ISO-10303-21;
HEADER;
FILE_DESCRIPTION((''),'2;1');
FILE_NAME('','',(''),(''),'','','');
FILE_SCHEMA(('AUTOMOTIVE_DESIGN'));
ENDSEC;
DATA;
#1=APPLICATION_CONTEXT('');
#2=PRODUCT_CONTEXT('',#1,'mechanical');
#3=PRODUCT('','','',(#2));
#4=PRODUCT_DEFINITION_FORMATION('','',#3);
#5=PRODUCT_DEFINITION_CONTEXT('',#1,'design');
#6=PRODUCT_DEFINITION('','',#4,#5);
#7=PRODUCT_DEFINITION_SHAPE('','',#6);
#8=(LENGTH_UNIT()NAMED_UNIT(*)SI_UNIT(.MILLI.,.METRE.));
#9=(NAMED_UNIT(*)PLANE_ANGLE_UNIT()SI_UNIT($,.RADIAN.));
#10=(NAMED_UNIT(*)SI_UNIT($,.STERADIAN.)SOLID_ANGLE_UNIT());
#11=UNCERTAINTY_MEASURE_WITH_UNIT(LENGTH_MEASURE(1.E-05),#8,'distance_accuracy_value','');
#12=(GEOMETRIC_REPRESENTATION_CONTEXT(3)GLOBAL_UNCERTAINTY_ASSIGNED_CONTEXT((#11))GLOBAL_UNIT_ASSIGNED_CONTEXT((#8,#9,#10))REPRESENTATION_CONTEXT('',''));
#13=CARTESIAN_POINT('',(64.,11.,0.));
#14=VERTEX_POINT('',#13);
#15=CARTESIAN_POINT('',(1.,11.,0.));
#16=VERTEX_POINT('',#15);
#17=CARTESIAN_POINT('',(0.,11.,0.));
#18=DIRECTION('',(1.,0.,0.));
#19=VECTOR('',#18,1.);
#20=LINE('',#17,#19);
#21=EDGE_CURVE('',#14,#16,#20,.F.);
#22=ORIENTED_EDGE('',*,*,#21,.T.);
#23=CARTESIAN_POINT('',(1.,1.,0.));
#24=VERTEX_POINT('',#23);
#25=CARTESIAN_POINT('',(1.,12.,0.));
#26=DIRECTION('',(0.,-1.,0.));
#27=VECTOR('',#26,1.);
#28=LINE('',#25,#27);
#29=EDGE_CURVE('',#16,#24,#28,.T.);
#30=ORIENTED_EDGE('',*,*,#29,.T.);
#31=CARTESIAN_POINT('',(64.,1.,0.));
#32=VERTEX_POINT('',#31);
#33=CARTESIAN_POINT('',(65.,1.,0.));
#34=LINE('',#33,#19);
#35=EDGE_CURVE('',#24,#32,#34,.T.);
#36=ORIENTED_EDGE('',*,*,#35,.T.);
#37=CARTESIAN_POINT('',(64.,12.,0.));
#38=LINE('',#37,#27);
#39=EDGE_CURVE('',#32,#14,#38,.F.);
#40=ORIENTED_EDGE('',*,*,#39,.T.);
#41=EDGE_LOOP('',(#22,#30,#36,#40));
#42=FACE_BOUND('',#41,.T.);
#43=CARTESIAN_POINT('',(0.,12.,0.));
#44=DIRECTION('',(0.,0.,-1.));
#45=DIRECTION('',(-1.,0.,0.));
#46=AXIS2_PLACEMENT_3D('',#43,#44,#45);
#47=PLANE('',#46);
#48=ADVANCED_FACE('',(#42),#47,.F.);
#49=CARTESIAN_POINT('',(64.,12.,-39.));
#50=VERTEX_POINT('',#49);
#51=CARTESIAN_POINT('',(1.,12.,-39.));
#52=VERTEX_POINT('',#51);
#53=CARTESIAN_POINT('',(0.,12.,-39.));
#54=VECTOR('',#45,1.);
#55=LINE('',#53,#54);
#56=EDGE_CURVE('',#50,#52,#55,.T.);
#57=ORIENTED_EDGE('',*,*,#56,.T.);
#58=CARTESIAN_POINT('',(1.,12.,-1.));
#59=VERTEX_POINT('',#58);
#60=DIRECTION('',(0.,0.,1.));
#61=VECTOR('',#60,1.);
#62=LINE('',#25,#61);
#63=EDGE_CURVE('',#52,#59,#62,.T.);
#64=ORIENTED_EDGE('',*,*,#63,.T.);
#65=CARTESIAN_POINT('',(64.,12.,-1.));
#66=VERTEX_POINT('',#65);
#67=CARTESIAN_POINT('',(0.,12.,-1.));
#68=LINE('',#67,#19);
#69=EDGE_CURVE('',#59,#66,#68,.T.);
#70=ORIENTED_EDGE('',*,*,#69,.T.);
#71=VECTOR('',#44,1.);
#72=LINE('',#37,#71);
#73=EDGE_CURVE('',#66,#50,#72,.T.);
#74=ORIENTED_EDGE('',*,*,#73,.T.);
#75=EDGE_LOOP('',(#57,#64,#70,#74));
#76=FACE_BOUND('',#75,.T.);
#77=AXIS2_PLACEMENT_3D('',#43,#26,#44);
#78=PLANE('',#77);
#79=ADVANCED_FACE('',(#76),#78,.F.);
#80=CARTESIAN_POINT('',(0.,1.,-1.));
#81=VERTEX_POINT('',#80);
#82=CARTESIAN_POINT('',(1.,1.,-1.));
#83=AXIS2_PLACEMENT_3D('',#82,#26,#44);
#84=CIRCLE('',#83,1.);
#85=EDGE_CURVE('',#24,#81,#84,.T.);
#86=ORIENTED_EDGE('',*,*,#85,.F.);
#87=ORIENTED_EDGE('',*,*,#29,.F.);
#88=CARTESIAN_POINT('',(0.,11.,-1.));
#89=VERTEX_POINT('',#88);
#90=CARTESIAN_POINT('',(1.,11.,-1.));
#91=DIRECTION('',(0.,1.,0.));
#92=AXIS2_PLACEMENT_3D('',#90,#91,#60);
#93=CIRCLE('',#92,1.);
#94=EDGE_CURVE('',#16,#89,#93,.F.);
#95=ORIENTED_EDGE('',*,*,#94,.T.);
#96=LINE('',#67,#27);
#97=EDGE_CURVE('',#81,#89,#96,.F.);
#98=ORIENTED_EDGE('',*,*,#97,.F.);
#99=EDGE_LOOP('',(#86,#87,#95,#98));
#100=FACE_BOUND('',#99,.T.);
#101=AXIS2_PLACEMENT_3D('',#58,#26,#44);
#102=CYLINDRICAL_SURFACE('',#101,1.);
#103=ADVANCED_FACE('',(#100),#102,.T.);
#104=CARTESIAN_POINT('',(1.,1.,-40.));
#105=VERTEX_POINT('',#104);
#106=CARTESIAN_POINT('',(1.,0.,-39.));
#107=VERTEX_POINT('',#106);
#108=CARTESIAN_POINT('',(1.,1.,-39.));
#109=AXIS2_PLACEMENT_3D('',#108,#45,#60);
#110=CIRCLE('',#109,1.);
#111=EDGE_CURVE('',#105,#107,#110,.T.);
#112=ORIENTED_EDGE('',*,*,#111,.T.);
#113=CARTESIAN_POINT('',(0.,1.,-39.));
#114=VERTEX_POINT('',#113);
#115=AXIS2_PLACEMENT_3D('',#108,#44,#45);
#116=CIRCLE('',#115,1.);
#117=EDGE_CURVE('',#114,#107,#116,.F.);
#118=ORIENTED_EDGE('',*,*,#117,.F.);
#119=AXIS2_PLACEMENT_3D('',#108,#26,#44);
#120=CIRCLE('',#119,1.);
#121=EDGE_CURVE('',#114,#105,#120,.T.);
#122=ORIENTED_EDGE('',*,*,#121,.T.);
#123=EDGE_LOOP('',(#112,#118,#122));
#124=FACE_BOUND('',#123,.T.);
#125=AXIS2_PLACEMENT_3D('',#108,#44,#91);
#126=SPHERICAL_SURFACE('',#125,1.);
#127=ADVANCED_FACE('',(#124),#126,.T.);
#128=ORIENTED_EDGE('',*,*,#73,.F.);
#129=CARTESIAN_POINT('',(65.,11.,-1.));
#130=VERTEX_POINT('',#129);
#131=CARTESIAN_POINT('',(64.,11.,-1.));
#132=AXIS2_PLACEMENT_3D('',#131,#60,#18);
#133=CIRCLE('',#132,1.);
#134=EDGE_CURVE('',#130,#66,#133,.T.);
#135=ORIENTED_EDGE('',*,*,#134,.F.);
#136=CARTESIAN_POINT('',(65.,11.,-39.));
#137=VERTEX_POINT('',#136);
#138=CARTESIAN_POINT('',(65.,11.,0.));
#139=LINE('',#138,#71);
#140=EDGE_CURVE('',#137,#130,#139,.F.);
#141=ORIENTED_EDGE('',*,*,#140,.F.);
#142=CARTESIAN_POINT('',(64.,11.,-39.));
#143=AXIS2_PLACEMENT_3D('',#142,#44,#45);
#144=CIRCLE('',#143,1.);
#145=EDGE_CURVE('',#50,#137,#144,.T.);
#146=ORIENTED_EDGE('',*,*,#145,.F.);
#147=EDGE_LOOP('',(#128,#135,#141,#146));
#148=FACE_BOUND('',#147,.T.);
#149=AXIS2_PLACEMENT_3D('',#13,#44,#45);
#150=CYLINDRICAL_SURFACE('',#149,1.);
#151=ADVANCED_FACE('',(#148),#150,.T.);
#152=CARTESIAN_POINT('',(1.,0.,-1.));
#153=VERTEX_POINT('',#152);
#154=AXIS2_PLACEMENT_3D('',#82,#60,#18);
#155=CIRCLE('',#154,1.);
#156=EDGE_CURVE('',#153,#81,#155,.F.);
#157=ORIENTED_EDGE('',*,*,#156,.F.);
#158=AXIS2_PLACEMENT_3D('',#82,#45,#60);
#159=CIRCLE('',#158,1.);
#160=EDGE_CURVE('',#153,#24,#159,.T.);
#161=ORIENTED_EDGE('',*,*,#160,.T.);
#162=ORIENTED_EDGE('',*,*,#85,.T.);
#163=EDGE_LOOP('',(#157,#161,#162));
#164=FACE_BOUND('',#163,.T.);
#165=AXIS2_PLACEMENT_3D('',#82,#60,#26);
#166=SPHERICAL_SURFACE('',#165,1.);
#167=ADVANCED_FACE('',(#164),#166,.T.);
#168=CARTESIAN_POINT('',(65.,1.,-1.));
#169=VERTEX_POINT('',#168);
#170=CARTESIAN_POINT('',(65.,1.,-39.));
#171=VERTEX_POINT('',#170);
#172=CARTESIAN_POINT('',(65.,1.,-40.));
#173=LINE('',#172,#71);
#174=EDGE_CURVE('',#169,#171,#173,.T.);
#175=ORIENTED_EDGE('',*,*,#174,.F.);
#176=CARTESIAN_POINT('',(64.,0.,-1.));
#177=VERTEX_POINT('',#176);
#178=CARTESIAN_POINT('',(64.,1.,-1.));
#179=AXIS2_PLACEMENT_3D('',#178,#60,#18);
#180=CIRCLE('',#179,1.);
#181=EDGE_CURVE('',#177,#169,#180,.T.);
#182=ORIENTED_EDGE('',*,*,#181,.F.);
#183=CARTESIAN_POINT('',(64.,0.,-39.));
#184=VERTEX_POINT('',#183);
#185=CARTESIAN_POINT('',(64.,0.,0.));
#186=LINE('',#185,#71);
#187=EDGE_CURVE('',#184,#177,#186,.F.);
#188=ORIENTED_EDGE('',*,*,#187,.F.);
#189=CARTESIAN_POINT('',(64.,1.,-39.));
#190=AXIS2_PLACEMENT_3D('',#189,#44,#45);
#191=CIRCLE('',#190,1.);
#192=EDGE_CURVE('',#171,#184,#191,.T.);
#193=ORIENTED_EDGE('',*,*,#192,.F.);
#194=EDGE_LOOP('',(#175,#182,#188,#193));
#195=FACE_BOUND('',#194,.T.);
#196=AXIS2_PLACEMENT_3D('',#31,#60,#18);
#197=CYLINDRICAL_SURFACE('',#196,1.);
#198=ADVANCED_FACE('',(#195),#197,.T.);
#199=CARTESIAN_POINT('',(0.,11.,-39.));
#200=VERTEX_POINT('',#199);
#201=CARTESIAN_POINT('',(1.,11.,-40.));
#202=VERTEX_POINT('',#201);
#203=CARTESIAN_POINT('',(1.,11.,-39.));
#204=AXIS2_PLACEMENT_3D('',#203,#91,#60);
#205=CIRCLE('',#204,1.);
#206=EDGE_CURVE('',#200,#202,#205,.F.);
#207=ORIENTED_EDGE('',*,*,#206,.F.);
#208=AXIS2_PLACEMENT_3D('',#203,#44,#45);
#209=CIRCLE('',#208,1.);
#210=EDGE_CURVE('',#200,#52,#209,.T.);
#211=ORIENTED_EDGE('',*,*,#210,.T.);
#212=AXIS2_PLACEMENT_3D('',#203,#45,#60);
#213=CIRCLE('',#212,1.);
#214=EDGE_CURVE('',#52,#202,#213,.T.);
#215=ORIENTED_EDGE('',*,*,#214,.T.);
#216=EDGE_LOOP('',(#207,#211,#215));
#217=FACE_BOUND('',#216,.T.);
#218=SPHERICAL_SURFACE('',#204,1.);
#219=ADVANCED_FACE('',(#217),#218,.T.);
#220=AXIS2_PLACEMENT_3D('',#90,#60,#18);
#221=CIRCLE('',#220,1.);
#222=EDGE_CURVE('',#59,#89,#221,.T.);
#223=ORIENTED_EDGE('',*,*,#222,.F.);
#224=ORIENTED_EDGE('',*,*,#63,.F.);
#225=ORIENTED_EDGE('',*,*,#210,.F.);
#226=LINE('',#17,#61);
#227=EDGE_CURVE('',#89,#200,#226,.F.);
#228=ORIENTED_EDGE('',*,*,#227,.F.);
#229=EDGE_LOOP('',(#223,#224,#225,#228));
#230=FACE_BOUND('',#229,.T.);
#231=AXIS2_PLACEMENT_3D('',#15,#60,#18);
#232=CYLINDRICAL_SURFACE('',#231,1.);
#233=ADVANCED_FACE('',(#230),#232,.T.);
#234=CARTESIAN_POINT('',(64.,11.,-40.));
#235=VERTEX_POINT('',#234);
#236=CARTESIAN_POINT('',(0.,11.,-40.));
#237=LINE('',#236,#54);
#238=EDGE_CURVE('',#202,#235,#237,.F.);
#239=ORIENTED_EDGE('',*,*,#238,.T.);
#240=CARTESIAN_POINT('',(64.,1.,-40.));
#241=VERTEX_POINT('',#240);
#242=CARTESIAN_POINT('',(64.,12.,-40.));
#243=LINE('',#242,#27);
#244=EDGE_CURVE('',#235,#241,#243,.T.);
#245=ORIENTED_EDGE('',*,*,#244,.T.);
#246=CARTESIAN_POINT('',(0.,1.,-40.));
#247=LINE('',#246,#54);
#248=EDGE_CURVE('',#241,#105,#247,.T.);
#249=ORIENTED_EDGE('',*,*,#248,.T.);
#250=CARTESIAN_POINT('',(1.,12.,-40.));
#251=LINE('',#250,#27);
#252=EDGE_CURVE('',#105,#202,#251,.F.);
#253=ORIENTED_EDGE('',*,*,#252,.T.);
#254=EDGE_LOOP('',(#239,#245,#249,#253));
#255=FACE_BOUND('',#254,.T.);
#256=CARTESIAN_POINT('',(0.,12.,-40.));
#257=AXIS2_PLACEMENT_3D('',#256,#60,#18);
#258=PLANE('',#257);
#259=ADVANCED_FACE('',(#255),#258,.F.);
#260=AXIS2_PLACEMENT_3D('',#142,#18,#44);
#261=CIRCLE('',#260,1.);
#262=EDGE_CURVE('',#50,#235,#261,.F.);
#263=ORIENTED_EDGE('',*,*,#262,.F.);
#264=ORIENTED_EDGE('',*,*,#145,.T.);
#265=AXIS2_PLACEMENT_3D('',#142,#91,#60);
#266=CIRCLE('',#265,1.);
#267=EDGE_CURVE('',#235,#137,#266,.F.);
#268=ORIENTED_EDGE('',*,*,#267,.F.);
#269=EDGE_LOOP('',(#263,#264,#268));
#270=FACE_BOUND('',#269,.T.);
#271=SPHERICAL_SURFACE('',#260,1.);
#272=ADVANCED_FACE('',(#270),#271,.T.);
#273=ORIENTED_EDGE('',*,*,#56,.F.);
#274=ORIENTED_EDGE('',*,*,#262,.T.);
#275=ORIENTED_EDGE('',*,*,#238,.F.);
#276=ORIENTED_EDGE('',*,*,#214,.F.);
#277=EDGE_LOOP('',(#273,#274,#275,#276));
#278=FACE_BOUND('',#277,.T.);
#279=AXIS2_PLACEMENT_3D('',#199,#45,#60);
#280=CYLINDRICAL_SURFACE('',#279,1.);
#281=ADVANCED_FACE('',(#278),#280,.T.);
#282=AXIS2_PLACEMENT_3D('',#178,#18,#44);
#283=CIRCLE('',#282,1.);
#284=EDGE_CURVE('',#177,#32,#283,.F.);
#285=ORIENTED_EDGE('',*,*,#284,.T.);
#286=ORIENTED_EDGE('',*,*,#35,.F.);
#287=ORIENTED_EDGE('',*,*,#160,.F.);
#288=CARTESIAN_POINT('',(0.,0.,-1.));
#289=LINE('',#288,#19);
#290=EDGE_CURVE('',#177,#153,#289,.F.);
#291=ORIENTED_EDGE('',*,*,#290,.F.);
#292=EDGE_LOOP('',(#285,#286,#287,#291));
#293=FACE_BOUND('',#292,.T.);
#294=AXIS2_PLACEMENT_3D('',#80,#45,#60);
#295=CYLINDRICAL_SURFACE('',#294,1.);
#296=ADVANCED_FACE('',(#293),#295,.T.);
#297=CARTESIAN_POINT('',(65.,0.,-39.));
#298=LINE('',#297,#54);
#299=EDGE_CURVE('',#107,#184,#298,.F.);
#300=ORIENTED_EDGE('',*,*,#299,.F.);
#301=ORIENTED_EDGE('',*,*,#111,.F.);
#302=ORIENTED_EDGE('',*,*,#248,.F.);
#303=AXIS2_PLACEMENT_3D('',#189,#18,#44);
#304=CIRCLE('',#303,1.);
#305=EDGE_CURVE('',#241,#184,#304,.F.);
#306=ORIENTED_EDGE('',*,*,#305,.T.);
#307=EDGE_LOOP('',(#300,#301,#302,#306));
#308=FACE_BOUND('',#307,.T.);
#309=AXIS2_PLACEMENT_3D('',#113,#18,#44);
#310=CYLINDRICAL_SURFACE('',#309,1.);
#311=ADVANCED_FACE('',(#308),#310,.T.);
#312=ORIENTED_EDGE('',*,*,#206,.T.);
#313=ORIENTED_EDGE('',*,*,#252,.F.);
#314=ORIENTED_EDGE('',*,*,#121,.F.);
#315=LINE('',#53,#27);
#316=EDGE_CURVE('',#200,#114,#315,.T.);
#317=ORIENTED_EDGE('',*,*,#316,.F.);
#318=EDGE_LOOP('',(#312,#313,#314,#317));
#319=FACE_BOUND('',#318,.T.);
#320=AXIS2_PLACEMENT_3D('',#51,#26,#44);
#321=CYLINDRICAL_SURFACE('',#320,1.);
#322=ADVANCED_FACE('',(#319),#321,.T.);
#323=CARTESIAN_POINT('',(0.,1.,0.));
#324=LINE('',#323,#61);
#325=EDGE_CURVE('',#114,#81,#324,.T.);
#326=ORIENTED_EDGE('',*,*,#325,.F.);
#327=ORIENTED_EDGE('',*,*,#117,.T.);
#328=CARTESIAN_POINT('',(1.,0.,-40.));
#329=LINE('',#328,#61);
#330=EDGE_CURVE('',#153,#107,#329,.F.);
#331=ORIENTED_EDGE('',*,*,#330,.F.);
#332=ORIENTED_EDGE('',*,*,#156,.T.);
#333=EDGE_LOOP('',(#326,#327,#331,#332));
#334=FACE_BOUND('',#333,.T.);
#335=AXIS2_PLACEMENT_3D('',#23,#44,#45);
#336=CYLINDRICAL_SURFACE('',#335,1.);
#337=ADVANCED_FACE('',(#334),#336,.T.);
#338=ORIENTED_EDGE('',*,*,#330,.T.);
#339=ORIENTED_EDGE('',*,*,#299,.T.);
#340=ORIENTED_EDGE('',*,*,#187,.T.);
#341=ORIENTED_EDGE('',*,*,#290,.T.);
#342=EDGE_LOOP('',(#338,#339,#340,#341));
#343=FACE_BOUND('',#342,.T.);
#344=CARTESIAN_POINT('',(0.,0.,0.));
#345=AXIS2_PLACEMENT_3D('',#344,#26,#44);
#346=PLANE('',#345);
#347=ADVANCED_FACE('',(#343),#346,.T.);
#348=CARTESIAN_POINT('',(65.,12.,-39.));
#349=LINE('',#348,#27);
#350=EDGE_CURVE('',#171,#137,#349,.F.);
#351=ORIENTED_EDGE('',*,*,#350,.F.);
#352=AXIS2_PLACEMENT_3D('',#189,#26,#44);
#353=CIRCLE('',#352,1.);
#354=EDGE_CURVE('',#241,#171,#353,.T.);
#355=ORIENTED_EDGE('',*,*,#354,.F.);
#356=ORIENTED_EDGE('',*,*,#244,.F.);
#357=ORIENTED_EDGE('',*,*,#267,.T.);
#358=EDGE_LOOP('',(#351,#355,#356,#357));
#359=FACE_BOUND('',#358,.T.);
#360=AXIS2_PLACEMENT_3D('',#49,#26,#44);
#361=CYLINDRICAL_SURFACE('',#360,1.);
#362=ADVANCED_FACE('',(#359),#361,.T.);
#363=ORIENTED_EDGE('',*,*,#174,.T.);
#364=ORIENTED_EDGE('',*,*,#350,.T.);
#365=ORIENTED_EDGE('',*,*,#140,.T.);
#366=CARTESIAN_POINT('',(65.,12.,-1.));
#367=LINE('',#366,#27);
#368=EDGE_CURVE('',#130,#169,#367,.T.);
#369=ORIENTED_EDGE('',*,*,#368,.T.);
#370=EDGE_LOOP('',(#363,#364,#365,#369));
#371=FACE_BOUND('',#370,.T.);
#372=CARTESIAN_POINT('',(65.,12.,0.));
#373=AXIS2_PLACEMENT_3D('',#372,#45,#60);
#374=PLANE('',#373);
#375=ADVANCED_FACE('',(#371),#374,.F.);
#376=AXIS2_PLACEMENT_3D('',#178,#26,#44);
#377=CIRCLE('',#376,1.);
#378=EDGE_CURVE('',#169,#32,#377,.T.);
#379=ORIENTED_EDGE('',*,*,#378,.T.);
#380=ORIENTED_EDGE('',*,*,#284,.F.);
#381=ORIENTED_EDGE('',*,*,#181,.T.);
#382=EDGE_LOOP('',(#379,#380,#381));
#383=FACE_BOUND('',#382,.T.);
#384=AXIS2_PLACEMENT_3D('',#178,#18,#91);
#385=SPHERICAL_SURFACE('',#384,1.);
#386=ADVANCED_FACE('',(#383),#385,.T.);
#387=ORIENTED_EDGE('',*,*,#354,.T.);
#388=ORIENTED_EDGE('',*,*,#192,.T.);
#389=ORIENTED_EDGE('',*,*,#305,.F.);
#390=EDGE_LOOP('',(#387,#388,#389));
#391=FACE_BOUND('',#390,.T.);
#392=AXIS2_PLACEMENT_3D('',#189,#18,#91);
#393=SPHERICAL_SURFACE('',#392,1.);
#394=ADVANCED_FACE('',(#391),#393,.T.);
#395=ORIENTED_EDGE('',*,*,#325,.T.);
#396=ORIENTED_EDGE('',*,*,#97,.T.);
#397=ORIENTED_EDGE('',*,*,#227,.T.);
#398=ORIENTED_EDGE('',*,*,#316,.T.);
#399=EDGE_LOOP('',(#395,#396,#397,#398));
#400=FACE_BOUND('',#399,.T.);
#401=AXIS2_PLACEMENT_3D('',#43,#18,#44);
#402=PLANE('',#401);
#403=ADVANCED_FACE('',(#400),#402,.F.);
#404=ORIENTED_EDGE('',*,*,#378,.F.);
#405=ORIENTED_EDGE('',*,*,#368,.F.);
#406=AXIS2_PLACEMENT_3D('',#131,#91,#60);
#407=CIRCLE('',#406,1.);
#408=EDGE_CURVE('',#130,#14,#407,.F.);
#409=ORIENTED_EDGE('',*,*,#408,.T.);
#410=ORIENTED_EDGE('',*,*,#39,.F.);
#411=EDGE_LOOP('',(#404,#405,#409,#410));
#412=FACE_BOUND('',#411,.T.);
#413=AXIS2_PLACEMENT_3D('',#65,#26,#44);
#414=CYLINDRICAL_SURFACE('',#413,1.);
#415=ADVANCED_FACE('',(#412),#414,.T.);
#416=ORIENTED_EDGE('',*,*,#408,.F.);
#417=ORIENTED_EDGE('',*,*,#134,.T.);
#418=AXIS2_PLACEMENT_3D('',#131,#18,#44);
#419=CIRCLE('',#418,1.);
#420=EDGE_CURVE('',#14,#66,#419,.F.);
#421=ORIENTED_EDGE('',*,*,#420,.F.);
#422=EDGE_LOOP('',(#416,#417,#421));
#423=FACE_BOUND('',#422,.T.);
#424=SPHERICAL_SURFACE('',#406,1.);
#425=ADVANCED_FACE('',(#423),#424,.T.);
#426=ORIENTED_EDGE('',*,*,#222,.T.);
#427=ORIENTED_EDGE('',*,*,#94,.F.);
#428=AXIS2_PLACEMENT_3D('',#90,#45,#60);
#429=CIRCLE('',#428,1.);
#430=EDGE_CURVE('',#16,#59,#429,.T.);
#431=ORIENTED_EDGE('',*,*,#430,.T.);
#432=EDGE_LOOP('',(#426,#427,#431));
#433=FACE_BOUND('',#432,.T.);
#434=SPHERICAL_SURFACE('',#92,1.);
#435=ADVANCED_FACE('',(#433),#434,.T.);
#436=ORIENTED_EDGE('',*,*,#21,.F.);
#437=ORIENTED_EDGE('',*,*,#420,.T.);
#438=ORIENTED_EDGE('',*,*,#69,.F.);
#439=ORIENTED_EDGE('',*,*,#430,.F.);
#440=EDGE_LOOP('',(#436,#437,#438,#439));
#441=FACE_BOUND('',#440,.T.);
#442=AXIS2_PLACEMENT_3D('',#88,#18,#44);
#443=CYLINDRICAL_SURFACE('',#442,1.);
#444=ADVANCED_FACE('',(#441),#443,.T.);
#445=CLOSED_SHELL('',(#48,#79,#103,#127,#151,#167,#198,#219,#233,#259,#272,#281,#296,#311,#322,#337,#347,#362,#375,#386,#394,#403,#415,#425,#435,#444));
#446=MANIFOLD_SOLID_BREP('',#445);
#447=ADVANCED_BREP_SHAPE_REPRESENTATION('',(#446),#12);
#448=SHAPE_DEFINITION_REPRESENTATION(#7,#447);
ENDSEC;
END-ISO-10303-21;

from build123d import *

# Parameters (mm, degrees)
SKETCH2_W           = 65
SKETCH2_H           = 40
BOSS_EXTRUDE1_DEPTH = 12
FILLET1_R           = 1


with BuildPart() as part:
    # Sketch2 → Boss-Extrude1 (new body)
    with BuildSketch(Plane(origin=(0, 0, 0), x_dir=(1, 0, 0), z_dir=(0, 1, 0))):
        with Locations((32.5, 20)):
            Rectangle(SKETCH2_W, SKETCH2_H)
    extrude(amount=BOSS_EXTRUDE1_DEPTH)

    # Fillet1
    fillet1_edges = [part.edges().sort_by_distance(p)[0] for p in [
        (65, 12, -20),
        (32.5, 12, -40),
        (0, 12, -20),
        (32.5, 0, -40),
        (65, 0, -20),
        (32.5, 0, 0),
        (0, 0, -20),
        (0, 6, -40),
        (65, 6, -40),
        (65, 6, 0),
        (0, 6, 0),
        (32.5, 12, 0),
    ]]
    fillet(fillet1_edges, radius=FILLET1_R)


solid = part.part
